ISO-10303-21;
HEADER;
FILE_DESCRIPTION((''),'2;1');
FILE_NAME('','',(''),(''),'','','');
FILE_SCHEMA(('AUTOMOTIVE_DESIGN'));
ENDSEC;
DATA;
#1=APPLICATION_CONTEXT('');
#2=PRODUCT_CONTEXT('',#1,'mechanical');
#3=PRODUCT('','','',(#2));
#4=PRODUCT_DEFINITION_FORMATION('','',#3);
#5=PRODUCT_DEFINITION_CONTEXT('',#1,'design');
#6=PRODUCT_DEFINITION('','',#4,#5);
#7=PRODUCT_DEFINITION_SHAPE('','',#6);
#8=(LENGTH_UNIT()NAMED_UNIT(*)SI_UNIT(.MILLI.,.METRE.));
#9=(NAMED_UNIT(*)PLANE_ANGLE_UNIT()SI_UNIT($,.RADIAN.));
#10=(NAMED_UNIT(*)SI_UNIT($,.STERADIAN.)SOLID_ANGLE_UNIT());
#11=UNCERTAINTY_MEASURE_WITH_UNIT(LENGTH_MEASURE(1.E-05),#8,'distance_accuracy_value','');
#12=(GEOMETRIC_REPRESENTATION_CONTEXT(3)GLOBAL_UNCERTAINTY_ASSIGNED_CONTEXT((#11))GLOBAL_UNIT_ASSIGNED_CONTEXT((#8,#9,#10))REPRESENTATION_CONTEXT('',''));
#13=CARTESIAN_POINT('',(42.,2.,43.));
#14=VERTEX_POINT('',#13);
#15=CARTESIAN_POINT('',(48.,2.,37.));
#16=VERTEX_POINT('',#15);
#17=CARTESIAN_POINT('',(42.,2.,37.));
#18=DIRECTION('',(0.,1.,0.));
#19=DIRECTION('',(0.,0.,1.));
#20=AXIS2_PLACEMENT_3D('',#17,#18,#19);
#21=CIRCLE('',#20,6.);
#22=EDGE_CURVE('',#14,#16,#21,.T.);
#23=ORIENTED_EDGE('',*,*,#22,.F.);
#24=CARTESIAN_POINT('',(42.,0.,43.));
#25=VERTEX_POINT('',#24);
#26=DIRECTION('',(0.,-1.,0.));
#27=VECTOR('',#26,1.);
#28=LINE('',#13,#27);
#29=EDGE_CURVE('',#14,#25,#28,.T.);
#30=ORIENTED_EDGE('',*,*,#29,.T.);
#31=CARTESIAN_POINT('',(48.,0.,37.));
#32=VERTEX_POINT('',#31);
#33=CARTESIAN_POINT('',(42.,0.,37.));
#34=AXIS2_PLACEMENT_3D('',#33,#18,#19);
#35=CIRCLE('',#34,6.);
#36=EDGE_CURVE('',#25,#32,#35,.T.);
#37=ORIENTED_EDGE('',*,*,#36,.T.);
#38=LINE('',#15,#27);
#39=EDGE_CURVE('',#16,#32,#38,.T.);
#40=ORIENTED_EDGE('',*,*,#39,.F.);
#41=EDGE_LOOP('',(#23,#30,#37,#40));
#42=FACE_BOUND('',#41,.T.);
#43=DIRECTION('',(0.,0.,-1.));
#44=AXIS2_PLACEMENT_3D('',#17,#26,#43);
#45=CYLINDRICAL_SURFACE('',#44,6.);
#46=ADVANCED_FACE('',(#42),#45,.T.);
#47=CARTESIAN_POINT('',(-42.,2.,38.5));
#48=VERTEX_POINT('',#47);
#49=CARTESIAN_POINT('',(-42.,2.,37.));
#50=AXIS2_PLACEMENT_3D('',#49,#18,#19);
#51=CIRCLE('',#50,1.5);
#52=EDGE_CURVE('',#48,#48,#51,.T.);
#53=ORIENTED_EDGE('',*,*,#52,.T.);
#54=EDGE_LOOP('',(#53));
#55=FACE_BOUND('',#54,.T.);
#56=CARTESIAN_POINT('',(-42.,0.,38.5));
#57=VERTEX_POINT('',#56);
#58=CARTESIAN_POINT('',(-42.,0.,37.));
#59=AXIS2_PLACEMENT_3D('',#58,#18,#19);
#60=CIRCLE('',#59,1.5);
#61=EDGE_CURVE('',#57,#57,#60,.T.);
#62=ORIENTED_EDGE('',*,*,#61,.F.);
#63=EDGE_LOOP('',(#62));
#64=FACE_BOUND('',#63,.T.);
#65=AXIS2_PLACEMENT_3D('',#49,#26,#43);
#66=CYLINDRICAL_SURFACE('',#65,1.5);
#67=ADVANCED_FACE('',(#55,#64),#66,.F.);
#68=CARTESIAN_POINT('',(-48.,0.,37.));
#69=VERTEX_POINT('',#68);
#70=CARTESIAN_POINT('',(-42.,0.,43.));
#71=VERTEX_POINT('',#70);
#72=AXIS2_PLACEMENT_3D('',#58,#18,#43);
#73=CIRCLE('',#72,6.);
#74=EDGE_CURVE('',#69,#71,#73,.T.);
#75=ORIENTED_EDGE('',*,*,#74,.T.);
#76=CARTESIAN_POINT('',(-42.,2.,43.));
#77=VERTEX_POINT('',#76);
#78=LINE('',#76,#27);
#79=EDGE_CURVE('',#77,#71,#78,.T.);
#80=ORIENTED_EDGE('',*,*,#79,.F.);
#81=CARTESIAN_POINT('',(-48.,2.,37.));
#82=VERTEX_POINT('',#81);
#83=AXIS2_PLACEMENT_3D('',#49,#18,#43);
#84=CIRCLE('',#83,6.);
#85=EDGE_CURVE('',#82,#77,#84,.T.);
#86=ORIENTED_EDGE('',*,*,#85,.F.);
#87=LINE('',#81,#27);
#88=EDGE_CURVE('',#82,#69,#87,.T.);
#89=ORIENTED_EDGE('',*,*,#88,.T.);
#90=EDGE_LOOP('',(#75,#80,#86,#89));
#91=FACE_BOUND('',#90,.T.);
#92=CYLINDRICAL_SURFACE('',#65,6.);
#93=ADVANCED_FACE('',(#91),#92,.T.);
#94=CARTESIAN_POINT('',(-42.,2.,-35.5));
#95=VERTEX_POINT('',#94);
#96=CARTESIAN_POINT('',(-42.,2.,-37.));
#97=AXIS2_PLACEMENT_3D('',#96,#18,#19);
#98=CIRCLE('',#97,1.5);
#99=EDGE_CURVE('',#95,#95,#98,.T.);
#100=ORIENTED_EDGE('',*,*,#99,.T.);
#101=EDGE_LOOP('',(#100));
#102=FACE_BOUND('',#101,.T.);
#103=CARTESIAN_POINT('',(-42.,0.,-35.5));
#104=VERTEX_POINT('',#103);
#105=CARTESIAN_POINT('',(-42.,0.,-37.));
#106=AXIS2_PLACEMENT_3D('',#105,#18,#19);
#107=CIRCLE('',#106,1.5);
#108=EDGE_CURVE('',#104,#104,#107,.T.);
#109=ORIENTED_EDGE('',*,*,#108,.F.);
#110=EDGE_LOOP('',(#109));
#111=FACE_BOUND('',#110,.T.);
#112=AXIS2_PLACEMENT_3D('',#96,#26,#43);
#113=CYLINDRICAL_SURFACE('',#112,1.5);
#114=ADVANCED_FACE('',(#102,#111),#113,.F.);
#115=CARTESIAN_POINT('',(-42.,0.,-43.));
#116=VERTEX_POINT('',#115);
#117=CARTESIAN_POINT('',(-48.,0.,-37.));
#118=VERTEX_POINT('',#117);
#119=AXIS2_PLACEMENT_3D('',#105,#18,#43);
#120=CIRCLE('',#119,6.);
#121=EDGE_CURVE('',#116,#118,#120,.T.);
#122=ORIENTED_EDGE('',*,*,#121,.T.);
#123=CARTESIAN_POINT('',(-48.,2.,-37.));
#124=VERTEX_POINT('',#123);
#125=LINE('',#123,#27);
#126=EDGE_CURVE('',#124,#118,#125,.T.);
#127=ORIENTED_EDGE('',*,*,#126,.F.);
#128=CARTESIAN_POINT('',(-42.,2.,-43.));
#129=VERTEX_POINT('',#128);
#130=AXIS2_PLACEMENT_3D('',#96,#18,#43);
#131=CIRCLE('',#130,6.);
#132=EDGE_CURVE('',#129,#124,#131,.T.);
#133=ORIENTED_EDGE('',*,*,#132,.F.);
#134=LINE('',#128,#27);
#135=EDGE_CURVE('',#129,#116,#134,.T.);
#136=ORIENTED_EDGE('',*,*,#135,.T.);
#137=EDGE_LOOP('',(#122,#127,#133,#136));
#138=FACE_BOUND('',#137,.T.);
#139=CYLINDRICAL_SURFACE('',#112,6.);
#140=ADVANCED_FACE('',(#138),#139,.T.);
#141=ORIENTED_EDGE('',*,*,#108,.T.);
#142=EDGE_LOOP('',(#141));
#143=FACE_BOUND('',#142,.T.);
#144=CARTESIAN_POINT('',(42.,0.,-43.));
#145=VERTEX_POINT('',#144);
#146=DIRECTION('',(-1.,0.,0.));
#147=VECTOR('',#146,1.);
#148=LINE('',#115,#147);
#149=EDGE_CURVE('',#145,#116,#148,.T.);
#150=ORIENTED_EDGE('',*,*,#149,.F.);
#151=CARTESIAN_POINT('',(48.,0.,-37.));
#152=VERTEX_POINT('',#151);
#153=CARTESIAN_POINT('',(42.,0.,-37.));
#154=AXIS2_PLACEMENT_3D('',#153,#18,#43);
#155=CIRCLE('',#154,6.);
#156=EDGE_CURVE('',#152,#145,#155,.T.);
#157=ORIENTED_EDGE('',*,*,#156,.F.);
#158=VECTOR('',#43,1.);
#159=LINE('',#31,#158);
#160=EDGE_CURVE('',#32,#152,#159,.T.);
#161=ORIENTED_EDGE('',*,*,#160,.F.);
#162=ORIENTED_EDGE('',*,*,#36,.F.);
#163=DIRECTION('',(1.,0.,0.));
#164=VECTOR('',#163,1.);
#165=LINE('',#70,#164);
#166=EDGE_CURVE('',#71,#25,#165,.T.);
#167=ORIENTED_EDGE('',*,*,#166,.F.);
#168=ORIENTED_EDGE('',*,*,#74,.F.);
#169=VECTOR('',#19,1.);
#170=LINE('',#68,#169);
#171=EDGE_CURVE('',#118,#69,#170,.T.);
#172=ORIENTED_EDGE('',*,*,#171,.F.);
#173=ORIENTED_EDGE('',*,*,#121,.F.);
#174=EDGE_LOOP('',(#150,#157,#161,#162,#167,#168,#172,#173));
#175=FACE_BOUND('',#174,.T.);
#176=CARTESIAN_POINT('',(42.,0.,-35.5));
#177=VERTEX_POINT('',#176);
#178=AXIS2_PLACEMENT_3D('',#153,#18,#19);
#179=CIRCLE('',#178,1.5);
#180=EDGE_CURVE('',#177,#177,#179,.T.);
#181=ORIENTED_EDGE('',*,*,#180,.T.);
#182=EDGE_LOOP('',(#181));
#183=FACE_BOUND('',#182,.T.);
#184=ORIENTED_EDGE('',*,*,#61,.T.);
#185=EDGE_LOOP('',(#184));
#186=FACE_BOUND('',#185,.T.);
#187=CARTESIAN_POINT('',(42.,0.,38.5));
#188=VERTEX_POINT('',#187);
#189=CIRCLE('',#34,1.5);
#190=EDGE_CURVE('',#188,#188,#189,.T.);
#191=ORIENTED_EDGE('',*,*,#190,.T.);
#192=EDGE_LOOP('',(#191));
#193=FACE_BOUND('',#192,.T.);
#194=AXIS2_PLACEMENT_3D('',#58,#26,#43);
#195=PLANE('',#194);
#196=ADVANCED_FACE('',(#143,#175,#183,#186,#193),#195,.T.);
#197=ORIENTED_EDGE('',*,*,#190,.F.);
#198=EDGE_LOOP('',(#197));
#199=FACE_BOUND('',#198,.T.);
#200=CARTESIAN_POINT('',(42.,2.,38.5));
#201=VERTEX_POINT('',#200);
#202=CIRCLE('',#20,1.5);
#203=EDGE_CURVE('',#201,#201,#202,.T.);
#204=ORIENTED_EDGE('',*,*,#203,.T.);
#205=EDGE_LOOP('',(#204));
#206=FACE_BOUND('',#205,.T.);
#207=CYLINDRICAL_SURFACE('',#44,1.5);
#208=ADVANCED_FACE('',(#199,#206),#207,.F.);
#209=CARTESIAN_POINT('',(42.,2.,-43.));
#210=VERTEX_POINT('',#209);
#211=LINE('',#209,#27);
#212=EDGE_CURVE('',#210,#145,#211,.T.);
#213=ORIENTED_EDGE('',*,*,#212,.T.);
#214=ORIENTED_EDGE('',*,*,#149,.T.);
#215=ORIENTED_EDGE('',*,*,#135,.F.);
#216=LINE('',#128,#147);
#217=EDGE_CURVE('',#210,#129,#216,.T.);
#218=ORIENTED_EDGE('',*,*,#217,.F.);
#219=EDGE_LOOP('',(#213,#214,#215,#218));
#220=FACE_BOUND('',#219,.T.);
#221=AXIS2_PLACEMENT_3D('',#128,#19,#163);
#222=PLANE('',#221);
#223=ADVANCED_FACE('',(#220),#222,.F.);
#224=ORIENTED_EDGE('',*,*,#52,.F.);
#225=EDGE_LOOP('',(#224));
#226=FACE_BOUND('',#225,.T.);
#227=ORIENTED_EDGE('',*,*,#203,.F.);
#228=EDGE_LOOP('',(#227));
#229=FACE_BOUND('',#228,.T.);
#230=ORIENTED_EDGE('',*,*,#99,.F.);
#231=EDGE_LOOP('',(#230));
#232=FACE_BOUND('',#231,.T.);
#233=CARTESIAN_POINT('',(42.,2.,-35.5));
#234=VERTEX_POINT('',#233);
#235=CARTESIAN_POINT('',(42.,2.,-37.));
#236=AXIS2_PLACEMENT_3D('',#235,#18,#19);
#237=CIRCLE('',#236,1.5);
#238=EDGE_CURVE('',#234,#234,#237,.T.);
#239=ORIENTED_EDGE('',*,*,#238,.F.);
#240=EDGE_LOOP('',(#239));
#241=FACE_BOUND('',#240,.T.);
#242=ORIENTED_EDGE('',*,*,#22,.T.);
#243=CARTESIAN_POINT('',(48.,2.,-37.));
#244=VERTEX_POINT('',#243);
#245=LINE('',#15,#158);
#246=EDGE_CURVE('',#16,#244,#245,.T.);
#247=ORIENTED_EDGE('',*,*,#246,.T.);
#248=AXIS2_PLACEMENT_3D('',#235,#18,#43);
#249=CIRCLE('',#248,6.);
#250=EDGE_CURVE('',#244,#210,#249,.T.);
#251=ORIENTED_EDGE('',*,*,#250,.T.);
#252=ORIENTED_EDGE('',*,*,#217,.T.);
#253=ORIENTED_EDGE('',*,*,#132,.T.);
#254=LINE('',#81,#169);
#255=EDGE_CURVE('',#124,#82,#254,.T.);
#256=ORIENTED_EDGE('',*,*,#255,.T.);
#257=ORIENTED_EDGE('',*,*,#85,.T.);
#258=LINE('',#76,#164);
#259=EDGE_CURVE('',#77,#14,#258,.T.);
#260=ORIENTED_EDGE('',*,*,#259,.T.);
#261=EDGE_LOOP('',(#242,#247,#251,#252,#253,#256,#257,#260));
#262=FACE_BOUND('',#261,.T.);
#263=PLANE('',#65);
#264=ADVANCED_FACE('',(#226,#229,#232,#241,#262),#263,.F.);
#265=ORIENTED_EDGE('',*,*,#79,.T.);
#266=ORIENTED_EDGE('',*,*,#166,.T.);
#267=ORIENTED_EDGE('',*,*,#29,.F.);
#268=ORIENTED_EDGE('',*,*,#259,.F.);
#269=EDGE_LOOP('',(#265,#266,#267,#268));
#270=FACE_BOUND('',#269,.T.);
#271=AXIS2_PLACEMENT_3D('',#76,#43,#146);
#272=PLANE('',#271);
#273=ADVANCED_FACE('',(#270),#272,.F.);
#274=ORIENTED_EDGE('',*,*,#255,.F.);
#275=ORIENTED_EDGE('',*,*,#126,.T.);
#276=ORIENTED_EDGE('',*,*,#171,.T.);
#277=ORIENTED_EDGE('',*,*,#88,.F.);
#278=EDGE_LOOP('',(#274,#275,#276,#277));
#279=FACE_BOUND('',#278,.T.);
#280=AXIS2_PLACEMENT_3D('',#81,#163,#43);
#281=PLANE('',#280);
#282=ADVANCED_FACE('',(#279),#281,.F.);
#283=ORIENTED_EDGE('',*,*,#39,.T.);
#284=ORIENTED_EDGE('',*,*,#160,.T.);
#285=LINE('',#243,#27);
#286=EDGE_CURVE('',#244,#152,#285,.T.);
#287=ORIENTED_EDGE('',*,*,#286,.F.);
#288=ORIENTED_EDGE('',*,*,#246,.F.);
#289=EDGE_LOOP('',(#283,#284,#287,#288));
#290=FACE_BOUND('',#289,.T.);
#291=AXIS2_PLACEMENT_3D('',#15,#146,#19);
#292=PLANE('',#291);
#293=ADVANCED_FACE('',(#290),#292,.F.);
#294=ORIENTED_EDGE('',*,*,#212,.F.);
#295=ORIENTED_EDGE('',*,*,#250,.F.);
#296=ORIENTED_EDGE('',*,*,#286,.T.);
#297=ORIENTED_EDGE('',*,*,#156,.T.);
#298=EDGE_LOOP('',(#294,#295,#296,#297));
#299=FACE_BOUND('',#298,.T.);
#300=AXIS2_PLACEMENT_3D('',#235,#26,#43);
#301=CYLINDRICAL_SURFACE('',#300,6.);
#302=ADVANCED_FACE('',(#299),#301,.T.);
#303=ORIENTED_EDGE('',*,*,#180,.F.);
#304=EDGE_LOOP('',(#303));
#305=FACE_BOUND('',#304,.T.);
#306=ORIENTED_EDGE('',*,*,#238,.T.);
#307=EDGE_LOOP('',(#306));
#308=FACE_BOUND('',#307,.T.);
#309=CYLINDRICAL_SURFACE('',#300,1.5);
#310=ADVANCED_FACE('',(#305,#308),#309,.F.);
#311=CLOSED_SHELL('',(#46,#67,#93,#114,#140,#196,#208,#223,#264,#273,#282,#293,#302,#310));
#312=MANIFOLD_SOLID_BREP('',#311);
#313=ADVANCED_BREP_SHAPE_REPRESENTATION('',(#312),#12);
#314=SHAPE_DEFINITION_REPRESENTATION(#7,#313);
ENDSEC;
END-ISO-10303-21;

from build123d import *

# Parameters (mm, degrees)
SKETCH1_R           = 1.5
BOSS_EXTRUDE1_DEPTH = 2


with BuildPart() as part:
    # Sketch1 → Boss-Extrude1 (new body)
    with BuildSketch(Plane(origin=(0, 0, 0), x_dir=(1, 0, 0), z_dir=(0, 1, 0))):
        with BuildLine():
            Line((-42, -43), (42, -43))
            ThreePointArc((42, -43), (46.242640687, -41.242640687), (48, -37))
            Line((48, -37), (48, 37))
            ThreePointArc((48, 37), (46.242640687, 41.242640687), (42, 43))
            Line((42, 43), (-42, 43))
            ThreePointArc((-42, 43), (-46.242640687, 41.242640687), (-48, 37))
            Line((-48, 37), (-48, -37))
            ThreePointArc((-48, -37), (-46.242640687, -41.242640687), (-42, -43))
        make_face()
        with Locations(Location((-42, 37, 0), (0, 0, 270))):
            Circle(SKETCH1_R, mode=Mode.SUBTRACT)
        with Locations(Location((42, 37, 0), (0, 0, 270))):
            Circle(SKETCH1_R, mode=Mode.SUBTRACT)
        with Locations(Location((42, -37, 0), (0, 0, 270))):
            Circle(SKETCH1_R, mode=Mode.SUBTRACT)
        with Locations(Location((-42, -37, 0), (0, 0, 270))):
            Circle(SKETCH1_R, mode=Mode.SUBTRACT)
    extrude(amount=BOSS_EXTRUDE1_DEPTH)


solid = part.part
